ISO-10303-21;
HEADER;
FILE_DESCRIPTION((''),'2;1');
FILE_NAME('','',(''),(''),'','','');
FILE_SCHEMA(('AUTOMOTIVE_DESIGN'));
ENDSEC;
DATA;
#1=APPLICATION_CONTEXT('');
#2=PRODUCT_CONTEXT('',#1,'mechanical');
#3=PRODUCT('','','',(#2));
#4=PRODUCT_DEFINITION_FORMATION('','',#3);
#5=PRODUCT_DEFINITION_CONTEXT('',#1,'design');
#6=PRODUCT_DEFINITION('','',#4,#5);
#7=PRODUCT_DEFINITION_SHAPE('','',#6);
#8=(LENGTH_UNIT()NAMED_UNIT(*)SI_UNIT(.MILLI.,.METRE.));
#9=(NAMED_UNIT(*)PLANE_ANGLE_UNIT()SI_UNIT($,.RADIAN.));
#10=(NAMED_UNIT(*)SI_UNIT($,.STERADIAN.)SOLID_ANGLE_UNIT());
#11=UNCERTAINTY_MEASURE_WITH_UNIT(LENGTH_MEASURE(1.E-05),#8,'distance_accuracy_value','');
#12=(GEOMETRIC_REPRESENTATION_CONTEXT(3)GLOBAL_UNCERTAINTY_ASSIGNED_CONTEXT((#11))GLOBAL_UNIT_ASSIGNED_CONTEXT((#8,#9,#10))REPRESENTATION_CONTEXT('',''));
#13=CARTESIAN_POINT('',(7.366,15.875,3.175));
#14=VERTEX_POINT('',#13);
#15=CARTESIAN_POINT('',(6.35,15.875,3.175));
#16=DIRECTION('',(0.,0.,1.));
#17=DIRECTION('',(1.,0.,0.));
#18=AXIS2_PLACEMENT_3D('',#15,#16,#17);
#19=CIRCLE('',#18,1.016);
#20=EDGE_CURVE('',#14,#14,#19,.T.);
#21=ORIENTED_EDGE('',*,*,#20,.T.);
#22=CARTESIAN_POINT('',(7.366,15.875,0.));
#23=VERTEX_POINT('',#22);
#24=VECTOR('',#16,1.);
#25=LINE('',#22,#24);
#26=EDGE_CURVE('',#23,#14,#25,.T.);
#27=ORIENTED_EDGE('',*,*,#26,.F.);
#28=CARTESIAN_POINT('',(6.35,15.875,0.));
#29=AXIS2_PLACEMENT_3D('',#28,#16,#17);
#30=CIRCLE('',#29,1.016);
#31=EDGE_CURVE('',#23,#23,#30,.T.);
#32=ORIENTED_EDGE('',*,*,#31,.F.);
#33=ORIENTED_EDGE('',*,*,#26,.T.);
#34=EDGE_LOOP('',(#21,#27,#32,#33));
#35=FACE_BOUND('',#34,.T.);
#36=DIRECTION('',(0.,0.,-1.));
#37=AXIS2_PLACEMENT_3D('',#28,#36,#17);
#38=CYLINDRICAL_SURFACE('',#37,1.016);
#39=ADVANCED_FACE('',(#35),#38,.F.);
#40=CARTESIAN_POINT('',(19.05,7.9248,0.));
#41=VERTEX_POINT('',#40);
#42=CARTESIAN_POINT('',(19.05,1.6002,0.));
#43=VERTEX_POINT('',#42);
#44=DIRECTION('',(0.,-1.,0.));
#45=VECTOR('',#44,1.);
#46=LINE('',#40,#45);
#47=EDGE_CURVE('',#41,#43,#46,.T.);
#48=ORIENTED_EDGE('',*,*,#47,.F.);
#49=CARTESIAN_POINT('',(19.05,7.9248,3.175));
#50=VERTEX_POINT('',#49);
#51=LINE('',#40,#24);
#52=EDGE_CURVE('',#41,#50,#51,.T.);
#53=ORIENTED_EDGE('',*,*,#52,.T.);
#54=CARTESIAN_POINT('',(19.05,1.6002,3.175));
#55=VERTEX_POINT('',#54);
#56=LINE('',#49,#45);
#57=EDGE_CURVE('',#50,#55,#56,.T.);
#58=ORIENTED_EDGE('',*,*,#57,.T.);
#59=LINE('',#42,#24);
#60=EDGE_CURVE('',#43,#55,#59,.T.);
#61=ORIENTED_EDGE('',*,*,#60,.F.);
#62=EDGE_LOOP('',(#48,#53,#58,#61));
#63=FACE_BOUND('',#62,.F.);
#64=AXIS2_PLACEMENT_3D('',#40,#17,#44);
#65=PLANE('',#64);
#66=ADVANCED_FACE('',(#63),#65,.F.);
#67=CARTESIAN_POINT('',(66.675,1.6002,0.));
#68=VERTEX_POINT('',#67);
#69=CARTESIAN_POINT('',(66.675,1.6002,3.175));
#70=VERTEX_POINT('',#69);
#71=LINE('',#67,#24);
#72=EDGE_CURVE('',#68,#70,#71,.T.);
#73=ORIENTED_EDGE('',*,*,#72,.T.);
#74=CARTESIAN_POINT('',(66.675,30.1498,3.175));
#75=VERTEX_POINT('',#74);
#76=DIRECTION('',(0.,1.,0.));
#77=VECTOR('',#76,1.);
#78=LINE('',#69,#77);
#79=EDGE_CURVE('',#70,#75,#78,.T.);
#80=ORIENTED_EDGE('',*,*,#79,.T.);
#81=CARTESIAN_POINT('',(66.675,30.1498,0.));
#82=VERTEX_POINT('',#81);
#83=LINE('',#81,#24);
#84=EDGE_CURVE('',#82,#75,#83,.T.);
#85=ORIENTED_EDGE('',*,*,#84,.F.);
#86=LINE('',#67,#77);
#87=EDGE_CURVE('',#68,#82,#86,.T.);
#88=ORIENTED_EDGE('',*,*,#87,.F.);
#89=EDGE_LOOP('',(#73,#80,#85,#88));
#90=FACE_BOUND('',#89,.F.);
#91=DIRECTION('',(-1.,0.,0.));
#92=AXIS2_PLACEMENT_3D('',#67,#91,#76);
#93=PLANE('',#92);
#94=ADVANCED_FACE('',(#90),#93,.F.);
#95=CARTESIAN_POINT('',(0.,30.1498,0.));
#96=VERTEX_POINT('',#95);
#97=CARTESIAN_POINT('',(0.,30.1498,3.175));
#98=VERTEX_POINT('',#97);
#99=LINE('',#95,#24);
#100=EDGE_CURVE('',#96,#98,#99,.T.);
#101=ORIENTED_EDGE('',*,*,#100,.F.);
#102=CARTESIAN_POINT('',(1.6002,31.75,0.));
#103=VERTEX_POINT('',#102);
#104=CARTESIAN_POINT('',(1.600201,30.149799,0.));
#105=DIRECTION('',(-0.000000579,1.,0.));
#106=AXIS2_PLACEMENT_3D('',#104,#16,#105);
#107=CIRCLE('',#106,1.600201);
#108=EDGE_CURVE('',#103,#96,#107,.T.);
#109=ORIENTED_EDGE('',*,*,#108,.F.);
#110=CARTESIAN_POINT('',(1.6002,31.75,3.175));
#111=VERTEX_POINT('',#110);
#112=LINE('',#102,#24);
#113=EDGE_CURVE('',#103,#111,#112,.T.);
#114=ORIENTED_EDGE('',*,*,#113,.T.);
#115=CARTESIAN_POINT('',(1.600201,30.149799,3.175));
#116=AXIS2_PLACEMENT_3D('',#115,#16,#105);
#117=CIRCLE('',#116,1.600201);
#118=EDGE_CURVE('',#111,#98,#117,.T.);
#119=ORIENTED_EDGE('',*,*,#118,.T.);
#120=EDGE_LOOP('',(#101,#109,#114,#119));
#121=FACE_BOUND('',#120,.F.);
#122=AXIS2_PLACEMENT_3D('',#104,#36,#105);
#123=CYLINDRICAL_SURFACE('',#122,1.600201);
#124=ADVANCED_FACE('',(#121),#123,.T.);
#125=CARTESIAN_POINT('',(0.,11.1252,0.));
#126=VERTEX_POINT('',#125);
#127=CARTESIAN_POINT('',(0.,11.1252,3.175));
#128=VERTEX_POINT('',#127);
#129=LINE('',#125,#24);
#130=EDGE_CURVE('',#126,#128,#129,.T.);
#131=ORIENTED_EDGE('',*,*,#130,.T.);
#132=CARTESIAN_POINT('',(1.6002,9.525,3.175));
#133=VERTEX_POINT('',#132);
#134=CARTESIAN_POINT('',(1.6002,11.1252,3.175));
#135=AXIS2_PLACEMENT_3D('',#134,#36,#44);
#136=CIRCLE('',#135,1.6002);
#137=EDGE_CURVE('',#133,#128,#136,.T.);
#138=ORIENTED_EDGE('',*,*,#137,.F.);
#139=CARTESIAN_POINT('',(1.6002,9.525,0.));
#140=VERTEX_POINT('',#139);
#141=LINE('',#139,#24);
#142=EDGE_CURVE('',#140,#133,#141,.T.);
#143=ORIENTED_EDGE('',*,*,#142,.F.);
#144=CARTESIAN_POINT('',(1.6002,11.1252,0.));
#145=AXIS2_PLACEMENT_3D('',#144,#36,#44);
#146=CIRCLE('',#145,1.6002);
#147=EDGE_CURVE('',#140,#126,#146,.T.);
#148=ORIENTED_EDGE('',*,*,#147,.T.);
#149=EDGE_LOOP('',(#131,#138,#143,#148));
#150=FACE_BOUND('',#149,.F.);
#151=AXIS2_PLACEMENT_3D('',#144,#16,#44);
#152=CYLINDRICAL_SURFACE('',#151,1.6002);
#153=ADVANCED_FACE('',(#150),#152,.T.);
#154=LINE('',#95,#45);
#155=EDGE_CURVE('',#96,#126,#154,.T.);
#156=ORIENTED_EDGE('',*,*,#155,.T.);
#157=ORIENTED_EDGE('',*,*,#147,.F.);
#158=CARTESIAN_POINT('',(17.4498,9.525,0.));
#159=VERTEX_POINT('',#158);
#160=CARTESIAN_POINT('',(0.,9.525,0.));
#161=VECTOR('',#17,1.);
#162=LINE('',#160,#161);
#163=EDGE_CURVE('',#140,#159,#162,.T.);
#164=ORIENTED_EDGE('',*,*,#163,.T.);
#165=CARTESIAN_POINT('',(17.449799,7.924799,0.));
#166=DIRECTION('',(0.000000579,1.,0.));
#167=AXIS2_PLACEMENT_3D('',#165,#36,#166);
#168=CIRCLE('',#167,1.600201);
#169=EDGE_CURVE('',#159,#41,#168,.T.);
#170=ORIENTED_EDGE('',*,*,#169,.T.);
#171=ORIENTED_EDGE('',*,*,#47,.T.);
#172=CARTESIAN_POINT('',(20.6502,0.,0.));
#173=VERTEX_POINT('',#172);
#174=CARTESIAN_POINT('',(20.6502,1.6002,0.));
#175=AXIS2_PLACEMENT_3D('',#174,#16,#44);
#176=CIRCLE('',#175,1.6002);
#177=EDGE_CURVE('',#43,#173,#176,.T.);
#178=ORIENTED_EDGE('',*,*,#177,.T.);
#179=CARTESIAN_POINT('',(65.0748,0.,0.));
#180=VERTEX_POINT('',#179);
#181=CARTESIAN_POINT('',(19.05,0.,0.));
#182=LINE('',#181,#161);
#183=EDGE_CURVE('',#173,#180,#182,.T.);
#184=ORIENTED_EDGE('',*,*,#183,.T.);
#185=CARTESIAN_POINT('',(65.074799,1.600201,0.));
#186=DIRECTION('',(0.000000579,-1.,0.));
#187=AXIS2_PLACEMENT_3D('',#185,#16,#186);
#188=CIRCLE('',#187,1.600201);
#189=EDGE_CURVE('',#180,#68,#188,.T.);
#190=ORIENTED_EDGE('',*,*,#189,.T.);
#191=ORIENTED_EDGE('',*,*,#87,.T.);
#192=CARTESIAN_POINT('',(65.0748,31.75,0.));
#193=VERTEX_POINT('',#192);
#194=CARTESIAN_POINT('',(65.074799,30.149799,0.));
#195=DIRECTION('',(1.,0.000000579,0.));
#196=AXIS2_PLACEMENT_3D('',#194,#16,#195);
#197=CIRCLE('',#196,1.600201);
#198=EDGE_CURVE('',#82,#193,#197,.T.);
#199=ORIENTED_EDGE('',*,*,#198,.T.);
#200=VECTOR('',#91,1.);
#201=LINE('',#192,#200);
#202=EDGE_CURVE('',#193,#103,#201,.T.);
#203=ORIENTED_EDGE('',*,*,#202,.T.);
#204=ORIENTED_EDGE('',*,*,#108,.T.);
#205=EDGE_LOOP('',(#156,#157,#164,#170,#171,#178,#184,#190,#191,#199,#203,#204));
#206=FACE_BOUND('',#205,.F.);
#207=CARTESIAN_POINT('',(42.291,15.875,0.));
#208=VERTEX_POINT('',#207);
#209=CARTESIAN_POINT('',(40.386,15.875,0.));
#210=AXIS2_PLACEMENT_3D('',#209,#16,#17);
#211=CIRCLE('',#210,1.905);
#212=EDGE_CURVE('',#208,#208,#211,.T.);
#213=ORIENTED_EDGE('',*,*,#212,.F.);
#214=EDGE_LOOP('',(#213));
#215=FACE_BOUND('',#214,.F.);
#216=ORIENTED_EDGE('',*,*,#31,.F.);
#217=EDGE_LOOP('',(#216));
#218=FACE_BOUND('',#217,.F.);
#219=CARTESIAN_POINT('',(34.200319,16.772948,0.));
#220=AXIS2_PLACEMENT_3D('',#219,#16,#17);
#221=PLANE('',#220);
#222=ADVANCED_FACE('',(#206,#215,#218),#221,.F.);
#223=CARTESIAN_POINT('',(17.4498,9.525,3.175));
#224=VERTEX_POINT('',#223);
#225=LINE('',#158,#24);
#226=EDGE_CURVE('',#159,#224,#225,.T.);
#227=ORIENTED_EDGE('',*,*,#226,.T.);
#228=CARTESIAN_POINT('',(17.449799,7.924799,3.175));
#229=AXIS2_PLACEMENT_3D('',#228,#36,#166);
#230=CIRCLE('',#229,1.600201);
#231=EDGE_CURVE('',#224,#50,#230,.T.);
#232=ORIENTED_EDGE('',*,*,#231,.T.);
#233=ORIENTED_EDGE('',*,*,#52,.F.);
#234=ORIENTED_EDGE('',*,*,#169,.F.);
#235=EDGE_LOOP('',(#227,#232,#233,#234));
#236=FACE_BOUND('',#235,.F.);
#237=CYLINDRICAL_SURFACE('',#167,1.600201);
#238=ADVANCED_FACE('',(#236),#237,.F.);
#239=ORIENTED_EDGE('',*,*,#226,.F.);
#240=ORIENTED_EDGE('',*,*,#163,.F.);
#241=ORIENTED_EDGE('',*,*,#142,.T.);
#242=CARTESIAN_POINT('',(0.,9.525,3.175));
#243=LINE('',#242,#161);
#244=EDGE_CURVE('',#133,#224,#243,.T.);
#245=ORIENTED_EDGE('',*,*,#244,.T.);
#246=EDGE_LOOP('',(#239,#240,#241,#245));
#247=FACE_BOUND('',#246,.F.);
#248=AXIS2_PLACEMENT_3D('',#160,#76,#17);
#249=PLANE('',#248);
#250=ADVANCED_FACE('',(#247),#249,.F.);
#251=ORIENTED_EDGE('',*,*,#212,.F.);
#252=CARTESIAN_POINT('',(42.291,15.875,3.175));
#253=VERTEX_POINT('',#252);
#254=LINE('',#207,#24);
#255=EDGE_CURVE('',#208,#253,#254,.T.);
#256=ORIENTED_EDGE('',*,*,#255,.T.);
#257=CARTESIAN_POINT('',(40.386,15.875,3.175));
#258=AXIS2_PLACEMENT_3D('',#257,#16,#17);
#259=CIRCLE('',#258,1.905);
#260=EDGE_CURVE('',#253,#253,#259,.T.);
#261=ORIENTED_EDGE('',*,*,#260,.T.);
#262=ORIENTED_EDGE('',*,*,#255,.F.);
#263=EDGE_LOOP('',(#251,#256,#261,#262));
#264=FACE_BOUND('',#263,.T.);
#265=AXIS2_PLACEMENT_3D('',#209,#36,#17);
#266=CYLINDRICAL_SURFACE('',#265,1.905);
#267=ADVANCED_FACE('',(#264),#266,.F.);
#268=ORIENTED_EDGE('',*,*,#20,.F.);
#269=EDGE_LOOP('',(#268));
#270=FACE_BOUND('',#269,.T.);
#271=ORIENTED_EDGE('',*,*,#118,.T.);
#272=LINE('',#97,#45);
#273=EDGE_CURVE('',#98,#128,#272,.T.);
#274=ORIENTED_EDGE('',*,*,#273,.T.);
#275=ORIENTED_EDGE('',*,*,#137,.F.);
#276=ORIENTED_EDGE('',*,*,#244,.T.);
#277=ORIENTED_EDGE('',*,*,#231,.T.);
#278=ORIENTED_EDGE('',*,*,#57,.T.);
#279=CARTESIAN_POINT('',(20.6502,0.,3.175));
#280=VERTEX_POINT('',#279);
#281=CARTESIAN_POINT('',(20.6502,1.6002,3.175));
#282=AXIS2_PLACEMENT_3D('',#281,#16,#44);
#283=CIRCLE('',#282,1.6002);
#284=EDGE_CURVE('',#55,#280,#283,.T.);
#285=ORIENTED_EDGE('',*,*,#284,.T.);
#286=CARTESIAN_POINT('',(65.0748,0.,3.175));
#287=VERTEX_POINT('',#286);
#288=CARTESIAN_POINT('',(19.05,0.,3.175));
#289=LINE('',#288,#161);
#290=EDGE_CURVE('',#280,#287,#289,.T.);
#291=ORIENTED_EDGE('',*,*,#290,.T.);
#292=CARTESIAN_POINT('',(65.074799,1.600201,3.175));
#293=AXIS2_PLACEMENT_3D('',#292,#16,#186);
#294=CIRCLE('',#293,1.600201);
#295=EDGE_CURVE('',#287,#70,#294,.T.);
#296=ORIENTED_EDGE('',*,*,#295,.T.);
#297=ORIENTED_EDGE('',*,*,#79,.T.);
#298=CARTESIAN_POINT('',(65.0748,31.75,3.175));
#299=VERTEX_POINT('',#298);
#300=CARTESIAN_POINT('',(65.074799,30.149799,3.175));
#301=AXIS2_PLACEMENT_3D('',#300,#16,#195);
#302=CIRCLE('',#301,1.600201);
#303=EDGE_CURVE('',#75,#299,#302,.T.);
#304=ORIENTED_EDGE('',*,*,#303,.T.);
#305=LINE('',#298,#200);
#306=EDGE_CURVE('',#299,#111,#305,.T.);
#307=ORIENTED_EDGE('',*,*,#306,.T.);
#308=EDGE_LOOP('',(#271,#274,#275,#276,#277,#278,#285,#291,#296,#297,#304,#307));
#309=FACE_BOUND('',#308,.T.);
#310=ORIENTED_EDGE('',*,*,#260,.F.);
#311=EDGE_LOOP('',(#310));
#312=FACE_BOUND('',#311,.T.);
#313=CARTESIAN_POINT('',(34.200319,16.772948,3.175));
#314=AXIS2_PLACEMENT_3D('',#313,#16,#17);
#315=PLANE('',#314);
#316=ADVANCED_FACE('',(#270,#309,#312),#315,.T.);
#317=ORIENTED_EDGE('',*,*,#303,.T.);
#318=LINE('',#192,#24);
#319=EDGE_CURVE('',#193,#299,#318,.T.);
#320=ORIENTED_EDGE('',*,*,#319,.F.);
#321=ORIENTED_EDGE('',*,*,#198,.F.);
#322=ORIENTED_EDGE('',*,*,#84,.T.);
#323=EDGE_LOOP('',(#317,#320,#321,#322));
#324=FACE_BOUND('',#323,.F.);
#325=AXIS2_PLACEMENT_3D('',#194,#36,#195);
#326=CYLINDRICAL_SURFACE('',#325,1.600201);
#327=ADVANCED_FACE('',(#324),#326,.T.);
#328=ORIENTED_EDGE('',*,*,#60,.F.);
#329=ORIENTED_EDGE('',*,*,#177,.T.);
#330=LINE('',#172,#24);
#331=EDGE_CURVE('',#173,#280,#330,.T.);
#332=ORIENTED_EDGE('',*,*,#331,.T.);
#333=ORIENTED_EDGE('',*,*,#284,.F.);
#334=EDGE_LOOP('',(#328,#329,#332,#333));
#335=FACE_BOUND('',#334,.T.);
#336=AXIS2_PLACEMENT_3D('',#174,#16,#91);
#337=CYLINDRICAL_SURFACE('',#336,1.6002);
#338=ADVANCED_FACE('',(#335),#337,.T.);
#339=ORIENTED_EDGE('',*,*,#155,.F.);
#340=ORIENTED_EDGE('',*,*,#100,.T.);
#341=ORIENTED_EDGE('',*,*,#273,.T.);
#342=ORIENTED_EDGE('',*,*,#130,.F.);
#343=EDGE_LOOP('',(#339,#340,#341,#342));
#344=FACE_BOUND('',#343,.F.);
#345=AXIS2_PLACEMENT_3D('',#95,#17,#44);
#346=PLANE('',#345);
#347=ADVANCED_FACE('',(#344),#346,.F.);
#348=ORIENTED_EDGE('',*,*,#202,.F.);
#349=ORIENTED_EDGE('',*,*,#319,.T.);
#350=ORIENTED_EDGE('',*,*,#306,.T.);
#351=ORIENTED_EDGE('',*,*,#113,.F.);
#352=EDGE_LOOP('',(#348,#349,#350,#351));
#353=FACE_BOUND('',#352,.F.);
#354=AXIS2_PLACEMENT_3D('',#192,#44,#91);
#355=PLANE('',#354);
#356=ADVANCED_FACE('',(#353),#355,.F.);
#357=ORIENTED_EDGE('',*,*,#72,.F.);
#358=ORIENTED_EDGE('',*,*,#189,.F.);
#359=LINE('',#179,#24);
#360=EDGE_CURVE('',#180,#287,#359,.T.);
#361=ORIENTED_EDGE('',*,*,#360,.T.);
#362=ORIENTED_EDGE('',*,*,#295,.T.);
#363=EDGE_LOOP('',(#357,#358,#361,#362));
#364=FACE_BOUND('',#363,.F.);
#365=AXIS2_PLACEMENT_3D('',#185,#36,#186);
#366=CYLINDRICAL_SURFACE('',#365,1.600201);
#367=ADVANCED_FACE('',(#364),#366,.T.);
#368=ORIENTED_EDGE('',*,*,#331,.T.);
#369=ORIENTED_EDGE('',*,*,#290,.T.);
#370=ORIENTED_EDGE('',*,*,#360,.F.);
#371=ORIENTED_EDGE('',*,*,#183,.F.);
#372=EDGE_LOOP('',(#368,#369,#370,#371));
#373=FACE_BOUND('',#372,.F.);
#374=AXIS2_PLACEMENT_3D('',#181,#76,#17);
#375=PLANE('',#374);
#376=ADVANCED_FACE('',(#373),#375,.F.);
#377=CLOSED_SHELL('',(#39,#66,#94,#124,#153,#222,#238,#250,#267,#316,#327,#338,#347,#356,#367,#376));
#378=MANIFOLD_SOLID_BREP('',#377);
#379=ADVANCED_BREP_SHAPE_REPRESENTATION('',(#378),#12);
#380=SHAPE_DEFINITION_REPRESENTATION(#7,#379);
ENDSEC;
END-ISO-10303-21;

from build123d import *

# Parameters (mm, degrees)
F0_R     = 1.016
F0_R_2   = 1.905
F1_DEPTH = 3.175
F2_R     = 1.6002


with BuildPart() as f1:
    # F0 (on Top) → F1 (new body)
    with BuildSketch(Plane.XY):
        with BuildLine():
            Line((19.05, 7.9248), (19.05, 0))
            Line((19.05, 0), (65.0748, 0))
            ThreePointArc((65.0748, 0), (66.206312, 0.468688), (66.675, 1.6002))
            Line((66.675, 1.6002), (66.675, 30.1498))
            ThreePointArc((66.675, 30.1498), (66.206312, 31.281312), (65.0748, 31.75))
            Line((65.0748, 31.75), (1.6002, 31.75))
            ThreePointArc((1.6002, 31.75), (0.468688, 31.281312), (0, 30.1498))
            Line((0, 30.1498), (0, 9.525))
            Line((0, 9.525), (17.4498, 9.525))
            ThreePointArc((17.4498, 9.525), (18.581312, 9.056312), (19.05, 7.9248))
        make_face()
        with Locations((6.35, 15.875)):
            Circle(F0_R, mode=Mode.SUBTRACT)
        with Locations((40.386, 15.875)):
            Circle(F0_R_2, mode=Mode.SUBTRACT)
    extrude(amount=F1_DEPTH)

    # F2
    f2_edges = [f1.edges().sort_by_distance(p)[0] for p in [
        (0, 9.525, 1.5875),
        (19.05, 0, 1.5875),
    ]]
    fillet(f2_edges, radius=F2_R)


solid = f1.part
